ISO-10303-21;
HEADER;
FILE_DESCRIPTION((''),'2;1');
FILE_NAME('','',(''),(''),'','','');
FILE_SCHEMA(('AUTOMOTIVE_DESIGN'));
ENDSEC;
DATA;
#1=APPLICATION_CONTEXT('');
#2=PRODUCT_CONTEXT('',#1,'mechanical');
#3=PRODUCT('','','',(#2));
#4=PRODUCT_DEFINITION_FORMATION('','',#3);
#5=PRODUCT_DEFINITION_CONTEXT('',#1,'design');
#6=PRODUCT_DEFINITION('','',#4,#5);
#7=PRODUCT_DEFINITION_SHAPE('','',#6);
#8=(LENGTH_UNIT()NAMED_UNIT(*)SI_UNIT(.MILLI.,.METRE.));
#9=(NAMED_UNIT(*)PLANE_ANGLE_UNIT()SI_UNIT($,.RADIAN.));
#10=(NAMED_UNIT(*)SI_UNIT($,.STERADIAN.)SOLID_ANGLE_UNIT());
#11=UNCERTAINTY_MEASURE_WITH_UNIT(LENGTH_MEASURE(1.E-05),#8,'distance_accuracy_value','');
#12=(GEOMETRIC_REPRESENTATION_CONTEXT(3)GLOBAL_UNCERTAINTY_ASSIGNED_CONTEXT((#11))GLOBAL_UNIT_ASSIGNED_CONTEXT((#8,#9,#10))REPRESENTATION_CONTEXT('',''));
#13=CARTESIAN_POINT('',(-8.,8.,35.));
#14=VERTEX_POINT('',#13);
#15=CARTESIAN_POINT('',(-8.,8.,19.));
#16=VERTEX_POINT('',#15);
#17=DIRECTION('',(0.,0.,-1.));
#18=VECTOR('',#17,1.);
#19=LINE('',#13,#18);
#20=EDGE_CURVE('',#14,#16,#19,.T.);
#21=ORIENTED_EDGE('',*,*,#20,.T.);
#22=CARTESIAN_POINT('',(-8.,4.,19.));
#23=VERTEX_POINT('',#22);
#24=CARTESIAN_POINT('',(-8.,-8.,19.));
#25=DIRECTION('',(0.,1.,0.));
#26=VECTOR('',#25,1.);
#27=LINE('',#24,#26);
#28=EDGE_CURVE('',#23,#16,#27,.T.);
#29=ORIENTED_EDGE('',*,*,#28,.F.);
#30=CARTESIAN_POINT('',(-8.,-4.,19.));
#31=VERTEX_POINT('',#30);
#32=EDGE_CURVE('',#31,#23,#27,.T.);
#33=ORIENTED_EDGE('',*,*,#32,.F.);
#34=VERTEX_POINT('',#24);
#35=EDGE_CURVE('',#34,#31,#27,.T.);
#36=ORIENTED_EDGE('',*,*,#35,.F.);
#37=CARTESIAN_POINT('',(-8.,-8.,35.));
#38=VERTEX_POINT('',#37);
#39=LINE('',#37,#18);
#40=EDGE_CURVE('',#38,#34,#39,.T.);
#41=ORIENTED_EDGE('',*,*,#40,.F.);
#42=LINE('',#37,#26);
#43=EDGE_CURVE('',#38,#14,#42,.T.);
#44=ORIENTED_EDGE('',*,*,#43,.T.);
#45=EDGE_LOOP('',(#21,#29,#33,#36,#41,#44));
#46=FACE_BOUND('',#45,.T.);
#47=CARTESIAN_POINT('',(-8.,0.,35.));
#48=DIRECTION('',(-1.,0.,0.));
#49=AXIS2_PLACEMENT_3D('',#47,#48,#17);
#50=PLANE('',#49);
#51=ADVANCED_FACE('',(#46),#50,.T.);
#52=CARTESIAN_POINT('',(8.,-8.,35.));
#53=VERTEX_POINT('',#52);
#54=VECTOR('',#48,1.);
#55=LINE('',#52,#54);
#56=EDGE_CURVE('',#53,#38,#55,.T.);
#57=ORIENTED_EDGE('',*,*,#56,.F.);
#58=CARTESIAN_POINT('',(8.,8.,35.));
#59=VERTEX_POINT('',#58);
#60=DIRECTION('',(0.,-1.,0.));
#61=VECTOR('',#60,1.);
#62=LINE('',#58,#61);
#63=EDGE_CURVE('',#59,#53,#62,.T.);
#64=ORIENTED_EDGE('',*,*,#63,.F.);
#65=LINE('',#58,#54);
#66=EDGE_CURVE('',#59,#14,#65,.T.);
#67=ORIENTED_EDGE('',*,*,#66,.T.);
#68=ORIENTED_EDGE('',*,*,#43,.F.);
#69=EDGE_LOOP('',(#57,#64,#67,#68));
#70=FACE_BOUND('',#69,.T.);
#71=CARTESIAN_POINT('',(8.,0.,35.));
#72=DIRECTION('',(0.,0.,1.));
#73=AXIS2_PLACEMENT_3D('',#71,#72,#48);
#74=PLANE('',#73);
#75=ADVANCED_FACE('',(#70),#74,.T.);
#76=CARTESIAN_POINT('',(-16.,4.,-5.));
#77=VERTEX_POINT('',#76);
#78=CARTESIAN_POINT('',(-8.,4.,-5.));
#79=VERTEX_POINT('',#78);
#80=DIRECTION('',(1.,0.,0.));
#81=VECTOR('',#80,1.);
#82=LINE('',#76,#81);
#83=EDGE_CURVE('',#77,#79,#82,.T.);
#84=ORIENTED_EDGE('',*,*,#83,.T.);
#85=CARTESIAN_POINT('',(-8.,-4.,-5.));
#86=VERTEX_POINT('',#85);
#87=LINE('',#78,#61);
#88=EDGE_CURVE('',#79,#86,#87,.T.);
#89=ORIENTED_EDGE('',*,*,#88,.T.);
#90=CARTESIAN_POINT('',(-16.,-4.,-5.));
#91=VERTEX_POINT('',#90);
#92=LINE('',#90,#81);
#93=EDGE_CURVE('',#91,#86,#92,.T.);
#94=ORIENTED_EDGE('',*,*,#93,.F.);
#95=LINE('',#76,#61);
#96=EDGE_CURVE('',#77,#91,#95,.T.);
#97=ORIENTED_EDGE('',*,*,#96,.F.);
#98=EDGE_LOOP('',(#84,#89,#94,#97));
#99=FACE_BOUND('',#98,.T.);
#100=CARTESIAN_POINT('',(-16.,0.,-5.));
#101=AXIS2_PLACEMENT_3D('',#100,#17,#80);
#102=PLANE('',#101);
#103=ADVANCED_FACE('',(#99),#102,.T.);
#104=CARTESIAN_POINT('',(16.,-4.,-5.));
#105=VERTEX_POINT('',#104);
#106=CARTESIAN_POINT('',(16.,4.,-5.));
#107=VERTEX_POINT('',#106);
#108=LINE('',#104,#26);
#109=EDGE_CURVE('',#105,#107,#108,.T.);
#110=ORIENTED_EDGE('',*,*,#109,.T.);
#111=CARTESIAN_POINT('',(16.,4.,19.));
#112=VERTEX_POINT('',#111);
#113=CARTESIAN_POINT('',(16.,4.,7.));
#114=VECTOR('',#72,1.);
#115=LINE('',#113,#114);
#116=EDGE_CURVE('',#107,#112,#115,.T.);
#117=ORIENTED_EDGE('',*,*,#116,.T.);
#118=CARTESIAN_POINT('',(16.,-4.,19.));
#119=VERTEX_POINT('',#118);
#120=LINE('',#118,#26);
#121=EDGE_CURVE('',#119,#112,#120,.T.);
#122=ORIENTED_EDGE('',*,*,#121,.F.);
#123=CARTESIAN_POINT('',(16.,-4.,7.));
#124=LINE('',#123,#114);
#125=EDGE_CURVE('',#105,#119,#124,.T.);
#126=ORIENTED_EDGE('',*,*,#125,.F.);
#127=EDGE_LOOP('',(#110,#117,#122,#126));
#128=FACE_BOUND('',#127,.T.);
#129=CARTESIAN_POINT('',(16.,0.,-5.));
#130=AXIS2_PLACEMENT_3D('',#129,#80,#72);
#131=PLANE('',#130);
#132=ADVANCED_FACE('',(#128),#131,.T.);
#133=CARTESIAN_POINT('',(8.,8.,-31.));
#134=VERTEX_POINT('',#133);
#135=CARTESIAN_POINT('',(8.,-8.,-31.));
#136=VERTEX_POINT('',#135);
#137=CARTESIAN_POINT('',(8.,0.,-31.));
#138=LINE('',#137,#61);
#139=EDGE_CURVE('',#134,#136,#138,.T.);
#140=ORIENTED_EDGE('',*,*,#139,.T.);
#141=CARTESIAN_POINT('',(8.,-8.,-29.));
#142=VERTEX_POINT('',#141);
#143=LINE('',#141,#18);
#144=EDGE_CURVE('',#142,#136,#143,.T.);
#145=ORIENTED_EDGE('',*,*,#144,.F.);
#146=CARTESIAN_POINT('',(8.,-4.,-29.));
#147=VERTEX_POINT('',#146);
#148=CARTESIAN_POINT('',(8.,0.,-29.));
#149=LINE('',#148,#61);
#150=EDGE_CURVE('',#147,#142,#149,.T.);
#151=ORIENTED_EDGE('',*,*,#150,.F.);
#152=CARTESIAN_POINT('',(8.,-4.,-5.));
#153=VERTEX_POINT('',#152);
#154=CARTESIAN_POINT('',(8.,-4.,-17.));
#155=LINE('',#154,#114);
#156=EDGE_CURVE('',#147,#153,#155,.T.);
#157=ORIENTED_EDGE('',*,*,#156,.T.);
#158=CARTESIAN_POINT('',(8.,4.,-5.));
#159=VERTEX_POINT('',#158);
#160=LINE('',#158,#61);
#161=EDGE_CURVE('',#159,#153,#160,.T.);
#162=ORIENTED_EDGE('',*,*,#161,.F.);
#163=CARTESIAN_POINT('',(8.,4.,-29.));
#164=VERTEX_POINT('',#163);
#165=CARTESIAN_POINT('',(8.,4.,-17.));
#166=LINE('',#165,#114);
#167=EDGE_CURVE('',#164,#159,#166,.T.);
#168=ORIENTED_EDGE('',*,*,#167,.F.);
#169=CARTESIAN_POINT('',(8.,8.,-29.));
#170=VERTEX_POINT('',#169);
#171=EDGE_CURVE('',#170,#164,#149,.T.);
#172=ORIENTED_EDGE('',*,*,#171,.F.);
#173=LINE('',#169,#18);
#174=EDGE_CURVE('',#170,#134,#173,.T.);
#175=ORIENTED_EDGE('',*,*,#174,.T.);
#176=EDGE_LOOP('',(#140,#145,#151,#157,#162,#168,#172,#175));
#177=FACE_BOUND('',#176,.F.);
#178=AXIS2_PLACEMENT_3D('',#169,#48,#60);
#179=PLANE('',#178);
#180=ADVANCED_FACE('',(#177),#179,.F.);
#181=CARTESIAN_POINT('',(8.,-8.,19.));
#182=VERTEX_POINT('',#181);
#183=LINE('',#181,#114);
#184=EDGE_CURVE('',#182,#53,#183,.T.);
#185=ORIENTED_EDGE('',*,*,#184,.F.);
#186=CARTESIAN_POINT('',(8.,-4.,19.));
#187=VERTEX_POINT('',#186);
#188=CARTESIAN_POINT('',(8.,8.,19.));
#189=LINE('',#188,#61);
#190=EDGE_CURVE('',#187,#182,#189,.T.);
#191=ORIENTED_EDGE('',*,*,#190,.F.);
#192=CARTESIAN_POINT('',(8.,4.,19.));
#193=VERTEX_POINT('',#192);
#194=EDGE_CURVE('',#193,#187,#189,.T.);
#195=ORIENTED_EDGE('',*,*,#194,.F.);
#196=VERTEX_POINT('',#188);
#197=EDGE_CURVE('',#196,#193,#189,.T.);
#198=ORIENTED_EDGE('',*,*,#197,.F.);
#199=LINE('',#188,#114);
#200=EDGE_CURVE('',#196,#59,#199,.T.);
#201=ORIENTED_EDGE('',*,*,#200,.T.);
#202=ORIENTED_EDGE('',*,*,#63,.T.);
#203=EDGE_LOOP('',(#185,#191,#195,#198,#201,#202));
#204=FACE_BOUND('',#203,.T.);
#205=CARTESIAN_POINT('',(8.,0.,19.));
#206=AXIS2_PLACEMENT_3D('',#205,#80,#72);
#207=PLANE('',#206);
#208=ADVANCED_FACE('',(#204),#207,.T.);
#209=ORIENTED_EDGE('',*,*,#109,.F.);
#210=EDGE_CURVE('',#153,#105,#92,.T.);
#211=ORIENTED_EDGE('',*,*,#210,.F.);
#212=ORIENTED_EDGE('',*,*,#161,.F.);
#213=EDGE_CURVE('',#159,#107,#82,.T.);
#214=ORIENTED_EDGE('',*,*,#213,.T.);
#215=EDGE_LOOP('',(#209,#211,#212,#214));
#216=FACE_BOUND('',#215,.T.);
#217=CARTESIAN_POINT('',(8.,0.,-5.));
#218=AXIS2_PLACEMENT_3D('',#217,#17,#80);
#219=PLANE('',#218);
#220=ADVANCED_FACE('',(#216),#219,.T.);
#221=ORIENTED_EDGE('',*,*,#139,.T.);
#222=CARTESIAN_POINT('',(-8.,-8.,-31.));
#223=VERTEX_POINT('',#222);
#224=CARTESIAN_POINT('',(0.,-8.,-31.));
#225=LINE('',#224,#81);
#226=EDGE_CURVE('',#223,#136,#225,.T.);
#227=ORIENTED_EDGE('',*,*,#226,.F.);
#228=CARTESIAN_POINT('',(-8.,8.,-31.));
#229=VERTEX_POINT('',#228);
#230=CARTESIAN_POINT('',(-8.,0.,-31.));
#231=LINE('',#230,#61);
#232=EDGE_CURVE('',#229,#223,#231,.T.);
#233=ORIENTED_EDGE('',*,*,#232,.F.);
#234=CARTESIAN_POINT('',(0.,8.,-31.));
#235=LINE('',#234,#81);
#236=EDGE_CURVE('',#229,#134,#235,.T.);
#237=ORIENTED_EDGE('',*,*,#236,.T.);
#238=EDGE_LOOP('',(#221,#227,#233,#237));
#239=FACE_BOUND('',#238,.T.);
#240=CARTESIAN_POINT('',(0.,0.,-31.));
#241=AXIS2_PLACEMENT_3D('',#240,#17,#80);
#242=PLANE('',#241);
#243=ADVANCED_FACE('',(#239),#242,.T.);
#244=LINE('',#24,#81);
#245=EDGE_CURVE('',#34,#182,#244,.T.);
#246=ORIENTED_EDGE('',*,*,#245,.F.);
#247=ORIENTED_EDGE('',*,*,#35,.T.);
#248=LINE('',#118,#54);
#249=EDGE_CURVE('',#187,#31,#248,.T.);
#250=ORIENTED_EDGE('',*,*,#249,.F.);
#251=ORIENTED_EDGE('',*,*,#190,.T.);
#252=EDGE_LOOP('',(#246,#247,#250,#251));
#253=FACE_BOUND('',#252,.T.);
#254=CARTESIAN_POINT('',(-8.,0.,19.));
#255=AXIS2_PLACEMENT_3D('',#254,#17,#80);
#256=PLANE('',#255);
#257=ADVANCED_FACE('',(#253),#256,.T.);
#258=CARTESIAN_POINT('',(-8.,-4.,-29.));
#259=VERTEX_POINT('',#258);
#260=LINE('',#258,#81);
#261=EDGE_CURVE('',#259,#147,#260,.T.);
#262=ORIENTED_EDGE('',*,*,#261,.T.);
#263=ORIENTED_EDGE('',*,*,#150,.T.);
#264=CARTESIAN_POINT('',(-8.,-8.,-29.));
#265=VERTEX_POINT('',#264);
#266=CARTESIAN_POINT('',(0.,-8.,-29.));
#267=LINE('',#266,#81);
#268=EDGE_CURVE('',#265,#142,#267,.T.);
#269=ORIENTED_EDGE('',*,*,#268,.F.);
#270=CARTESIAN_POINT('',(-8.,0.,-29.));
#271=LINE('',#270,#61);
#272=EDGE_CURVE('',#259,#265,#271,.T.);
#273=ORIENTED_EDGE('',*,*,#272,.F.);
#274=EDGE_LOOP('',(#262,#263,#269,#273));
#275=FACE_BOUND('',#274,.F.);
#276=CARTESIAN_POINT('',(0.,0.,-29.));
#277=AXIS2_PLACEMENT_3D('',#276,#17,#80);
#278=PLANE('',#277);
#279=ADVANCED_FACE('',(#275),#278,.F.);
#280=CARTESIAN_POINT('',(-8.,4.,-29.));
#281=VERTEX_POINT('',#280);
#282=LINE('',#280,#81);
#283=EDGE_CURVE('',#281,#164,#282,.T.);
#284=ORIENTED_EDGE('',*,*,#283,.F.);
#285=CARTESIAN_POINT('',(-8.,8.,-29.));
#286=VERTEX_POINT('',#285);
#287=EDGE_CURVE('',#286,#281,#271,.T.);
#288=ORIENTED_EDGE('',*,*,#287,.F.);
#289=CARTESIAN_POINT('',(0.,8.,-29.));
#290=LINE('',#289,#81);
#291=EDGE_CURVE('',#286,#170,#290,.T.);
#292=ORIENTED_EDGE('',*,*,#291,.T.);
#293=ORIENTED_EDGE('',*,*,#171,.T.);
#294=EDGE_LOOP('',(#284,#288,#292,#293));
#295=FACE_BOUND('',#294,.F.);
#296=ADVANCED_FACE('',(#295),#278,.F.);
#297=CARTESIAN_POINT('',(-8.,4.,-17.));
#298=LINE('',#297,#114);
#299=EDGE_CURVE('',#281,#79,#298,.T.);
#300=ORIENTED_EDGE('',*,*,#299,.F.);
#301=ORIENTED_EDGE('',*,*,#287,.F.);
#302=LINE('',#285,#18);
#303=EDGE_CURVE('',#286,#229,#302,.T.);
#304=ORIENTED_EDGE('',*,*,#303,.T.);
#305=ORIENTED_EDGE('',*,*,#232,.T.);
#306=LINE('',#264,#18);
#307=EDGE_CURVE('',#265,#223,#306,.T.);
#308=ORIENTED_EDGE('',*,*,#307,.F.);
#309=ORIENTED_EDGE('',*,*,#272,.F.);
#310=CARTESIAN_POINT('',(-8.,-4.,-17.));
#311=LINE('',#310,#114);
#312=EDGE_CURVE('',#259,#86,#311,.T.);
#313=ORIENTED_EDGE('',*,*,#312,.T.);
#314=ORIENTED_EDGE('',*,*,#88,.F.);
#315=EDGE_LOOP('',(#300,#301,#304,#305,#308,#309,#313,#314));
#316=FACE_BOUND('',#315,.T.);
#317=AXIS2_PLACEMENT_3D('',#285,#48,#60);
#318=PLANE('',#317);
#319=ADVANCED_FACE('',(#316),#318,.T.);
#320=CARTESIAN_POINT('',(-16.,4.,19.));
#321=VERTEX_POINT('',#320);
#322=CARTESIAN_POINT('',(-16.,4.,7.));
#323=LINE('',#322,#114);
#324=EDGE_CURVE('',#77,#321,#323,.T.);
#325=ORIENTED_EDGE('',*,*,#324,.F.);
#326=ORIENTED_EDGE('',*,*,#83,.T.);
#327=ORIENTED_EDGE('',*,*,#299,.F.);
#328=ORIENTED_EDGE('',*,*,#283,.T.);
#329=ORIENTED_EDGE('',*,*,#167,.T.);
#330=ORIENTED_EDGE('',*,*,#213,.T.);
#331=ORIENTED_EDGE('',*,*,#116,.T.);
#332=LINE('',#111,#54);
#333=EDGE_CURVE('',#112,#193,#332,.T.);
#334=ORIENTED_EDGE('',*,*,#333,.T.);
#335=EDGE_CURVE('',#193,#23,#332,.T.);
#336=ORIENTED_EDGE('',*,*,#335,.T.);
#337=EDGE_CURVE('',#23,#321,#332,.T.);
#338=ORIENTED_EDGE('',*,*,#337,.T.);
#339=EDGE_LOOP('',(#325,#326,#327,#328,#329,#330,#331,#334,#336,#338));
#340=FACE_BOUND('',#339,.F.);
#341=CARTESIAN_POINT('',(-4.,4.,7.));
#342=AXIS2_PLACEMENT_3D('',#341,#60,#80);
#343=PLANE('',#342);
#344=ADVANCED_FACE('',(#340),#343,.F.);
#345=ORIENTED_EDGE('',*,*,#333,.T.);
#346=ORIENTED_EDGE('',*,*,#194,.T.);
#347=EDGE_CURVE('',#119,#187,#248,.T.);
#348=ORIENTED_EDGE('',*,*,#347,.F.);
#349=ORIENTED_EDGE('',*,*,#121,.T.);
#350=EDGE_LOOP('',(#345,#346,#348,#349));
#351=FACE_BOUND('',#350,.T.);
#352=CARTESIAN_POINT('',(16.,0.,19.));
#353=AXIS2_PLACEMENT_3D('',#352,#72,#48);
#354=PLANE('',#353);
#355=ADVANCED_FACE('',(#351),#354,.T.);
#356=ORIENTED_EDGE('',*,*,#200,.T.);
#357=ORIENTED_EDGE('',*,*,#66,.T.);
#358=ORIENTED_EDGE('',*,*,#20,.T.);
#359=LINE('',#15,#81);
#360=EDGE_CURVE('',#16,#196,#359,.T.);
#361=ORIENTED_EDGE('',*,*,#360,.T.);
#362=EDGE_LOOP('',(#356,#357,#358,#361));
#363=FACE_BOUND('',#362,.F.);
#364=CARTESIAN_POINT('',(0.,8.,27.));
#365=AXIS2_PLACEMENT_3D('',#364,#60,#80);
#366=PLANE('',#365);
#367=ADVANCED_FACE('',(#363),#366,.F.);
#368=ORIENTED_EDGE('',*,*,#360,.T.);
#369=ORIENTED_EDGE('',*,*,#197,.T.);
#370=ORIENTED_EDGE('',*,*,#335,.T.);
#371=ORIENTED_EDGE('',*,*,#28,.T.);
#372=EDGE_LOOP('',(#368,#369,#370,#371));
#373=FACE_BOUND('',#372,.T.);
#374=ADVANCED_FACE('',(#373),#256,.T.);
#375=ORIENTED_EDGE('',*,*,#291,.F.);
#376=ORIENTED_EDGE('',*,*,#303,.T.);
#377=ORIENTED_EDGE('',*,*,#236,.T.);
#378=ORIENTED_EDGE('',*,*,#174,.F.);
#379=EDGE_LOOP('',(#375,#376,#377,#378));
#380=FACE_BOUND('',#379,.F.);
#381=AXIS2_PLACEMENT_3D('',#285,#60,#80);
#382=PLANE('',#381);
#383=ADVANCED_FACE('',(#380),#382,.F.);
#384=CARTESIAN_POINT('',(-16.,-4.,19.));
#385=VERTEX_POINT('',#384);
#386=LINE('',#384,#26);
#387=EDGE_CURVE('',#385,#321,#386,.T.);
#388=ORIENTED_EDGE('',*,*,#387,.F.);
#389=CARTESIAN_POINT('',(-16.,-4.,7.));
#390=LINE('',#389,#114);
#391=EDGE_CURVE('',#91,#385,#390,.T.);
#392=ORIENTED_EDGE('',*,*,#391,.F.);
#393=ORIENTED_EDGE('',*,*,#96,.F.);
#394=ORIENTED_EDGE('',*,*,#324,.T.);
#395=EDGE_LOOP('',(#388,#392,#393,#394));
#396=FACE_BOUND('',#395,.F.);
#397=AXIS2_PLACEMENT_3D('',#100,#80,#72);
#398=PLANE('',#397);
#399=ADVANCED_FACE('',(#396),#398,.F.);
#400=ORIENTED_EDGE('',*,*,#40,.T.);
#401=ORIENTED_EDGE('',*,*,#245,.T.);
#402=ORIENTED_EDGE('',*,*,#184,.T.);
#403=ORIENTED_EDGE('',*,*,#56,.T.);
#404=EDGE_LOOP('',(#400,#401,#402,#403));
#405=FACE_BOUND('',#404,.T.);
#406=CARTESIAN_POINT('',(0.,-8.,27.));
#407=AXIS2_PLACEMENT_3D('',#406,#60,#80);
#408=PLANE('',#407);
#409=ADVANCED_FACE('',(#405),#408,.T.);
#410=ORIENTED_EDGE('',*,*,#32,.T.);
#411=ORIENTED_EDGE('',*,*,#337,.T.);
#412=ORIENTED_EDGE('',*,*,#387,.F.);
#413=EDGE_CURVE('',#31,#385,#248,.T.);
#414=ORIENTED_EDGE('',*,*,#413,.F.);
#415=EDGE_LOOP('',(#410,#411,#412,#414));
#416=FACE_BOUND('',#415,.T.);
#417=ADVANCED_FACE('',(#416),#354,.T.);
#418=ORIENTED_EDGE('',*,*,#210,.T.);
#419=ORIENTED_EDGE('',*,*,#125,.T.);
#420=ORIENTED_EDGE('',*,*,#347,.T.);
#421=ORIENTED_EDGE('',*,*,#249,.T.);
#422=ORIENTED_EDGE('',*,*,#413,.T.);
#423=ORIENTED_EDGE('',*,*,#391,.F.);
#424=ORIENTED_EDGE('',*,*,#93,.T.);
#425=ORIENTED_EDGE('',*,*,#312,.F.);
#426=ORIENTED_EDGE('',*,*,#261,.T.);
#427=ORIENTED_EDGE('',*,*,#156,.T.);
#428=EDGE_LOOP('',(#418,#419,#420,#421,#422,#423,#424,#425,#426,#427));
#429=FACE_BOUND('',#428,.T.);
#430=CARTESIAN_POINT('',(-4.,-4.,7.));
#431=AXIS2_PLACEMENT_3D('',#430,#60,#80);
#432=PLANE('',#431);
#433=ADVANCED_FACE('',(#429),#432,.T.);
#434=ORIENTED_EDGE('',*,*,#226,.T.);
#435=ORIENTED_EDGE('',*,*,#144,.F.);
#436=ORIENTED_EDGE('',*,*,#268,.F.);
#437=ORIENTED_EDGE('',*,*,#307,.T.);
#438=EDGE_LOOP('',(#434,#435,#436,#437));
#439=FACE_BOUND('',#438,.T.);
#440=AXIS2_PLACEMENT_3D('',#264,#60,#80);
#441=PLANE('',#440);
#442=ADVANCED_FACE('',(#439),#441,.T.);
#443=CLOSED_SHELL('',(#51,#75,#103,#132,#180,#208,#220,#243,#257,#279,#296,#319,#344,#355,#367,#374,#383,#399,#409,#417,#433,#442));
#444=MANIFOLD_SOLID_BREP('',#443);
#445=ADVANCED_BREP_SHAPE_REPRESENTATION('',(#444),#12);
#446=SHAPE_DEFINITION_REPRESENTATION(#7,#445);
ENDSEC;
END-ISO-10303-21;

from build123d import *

# Parameters (mm, degrees)
F0_W     = 8
F0_H     = 24
F1_DEPTH = 4
F2_DEPTH = 8
F3_W     = 16
F3_H     = 16
F4_DEPTH = 2


with BuildPart() as f1:
    # F0 (on Front) → F1 (new body, symmetric)
    with BuildSketch(Plane.XZ):
        with Locations((-4, 7)):
            Rectangle(F0_W, F0_H)
        with Locations((-12, 7)):
            Rectangle(F0_W, F0_H)
        with Locations((4, 7)):
            Rectangle(F0_W, F0_H)
        with Locations((12, 7)):
            Rectangle(F0_W, F0_H)
        with Locations((4, -17)):
            Rectangle(F0_W, F0_H)
        with Locations((-4, -17)):
            Rectangle(F0_W, F0_H)
    extrude(amount=F1_DEPTH, both=True)

    # F0 (on Front) → F2 (join, symmetric)
    with BuildSketch(Plane.XZ):
        Polygon((-8, 19), (0, 19), (8, 19), (8, 35), (-8, 35), align=None)
    extrude(amount=F2_DEPTH, both=True)

    # F3 (on face) → F4 (join)
    with BuildSketch(Plane(origin=(0, 0, -29), x_dir=(1, 0, 0), z_dir=(0, 0, -1))):
        Rectangle(F3_W, F3_H)
    extrude(amount=F4_DEPTH)


solid = f1.part
